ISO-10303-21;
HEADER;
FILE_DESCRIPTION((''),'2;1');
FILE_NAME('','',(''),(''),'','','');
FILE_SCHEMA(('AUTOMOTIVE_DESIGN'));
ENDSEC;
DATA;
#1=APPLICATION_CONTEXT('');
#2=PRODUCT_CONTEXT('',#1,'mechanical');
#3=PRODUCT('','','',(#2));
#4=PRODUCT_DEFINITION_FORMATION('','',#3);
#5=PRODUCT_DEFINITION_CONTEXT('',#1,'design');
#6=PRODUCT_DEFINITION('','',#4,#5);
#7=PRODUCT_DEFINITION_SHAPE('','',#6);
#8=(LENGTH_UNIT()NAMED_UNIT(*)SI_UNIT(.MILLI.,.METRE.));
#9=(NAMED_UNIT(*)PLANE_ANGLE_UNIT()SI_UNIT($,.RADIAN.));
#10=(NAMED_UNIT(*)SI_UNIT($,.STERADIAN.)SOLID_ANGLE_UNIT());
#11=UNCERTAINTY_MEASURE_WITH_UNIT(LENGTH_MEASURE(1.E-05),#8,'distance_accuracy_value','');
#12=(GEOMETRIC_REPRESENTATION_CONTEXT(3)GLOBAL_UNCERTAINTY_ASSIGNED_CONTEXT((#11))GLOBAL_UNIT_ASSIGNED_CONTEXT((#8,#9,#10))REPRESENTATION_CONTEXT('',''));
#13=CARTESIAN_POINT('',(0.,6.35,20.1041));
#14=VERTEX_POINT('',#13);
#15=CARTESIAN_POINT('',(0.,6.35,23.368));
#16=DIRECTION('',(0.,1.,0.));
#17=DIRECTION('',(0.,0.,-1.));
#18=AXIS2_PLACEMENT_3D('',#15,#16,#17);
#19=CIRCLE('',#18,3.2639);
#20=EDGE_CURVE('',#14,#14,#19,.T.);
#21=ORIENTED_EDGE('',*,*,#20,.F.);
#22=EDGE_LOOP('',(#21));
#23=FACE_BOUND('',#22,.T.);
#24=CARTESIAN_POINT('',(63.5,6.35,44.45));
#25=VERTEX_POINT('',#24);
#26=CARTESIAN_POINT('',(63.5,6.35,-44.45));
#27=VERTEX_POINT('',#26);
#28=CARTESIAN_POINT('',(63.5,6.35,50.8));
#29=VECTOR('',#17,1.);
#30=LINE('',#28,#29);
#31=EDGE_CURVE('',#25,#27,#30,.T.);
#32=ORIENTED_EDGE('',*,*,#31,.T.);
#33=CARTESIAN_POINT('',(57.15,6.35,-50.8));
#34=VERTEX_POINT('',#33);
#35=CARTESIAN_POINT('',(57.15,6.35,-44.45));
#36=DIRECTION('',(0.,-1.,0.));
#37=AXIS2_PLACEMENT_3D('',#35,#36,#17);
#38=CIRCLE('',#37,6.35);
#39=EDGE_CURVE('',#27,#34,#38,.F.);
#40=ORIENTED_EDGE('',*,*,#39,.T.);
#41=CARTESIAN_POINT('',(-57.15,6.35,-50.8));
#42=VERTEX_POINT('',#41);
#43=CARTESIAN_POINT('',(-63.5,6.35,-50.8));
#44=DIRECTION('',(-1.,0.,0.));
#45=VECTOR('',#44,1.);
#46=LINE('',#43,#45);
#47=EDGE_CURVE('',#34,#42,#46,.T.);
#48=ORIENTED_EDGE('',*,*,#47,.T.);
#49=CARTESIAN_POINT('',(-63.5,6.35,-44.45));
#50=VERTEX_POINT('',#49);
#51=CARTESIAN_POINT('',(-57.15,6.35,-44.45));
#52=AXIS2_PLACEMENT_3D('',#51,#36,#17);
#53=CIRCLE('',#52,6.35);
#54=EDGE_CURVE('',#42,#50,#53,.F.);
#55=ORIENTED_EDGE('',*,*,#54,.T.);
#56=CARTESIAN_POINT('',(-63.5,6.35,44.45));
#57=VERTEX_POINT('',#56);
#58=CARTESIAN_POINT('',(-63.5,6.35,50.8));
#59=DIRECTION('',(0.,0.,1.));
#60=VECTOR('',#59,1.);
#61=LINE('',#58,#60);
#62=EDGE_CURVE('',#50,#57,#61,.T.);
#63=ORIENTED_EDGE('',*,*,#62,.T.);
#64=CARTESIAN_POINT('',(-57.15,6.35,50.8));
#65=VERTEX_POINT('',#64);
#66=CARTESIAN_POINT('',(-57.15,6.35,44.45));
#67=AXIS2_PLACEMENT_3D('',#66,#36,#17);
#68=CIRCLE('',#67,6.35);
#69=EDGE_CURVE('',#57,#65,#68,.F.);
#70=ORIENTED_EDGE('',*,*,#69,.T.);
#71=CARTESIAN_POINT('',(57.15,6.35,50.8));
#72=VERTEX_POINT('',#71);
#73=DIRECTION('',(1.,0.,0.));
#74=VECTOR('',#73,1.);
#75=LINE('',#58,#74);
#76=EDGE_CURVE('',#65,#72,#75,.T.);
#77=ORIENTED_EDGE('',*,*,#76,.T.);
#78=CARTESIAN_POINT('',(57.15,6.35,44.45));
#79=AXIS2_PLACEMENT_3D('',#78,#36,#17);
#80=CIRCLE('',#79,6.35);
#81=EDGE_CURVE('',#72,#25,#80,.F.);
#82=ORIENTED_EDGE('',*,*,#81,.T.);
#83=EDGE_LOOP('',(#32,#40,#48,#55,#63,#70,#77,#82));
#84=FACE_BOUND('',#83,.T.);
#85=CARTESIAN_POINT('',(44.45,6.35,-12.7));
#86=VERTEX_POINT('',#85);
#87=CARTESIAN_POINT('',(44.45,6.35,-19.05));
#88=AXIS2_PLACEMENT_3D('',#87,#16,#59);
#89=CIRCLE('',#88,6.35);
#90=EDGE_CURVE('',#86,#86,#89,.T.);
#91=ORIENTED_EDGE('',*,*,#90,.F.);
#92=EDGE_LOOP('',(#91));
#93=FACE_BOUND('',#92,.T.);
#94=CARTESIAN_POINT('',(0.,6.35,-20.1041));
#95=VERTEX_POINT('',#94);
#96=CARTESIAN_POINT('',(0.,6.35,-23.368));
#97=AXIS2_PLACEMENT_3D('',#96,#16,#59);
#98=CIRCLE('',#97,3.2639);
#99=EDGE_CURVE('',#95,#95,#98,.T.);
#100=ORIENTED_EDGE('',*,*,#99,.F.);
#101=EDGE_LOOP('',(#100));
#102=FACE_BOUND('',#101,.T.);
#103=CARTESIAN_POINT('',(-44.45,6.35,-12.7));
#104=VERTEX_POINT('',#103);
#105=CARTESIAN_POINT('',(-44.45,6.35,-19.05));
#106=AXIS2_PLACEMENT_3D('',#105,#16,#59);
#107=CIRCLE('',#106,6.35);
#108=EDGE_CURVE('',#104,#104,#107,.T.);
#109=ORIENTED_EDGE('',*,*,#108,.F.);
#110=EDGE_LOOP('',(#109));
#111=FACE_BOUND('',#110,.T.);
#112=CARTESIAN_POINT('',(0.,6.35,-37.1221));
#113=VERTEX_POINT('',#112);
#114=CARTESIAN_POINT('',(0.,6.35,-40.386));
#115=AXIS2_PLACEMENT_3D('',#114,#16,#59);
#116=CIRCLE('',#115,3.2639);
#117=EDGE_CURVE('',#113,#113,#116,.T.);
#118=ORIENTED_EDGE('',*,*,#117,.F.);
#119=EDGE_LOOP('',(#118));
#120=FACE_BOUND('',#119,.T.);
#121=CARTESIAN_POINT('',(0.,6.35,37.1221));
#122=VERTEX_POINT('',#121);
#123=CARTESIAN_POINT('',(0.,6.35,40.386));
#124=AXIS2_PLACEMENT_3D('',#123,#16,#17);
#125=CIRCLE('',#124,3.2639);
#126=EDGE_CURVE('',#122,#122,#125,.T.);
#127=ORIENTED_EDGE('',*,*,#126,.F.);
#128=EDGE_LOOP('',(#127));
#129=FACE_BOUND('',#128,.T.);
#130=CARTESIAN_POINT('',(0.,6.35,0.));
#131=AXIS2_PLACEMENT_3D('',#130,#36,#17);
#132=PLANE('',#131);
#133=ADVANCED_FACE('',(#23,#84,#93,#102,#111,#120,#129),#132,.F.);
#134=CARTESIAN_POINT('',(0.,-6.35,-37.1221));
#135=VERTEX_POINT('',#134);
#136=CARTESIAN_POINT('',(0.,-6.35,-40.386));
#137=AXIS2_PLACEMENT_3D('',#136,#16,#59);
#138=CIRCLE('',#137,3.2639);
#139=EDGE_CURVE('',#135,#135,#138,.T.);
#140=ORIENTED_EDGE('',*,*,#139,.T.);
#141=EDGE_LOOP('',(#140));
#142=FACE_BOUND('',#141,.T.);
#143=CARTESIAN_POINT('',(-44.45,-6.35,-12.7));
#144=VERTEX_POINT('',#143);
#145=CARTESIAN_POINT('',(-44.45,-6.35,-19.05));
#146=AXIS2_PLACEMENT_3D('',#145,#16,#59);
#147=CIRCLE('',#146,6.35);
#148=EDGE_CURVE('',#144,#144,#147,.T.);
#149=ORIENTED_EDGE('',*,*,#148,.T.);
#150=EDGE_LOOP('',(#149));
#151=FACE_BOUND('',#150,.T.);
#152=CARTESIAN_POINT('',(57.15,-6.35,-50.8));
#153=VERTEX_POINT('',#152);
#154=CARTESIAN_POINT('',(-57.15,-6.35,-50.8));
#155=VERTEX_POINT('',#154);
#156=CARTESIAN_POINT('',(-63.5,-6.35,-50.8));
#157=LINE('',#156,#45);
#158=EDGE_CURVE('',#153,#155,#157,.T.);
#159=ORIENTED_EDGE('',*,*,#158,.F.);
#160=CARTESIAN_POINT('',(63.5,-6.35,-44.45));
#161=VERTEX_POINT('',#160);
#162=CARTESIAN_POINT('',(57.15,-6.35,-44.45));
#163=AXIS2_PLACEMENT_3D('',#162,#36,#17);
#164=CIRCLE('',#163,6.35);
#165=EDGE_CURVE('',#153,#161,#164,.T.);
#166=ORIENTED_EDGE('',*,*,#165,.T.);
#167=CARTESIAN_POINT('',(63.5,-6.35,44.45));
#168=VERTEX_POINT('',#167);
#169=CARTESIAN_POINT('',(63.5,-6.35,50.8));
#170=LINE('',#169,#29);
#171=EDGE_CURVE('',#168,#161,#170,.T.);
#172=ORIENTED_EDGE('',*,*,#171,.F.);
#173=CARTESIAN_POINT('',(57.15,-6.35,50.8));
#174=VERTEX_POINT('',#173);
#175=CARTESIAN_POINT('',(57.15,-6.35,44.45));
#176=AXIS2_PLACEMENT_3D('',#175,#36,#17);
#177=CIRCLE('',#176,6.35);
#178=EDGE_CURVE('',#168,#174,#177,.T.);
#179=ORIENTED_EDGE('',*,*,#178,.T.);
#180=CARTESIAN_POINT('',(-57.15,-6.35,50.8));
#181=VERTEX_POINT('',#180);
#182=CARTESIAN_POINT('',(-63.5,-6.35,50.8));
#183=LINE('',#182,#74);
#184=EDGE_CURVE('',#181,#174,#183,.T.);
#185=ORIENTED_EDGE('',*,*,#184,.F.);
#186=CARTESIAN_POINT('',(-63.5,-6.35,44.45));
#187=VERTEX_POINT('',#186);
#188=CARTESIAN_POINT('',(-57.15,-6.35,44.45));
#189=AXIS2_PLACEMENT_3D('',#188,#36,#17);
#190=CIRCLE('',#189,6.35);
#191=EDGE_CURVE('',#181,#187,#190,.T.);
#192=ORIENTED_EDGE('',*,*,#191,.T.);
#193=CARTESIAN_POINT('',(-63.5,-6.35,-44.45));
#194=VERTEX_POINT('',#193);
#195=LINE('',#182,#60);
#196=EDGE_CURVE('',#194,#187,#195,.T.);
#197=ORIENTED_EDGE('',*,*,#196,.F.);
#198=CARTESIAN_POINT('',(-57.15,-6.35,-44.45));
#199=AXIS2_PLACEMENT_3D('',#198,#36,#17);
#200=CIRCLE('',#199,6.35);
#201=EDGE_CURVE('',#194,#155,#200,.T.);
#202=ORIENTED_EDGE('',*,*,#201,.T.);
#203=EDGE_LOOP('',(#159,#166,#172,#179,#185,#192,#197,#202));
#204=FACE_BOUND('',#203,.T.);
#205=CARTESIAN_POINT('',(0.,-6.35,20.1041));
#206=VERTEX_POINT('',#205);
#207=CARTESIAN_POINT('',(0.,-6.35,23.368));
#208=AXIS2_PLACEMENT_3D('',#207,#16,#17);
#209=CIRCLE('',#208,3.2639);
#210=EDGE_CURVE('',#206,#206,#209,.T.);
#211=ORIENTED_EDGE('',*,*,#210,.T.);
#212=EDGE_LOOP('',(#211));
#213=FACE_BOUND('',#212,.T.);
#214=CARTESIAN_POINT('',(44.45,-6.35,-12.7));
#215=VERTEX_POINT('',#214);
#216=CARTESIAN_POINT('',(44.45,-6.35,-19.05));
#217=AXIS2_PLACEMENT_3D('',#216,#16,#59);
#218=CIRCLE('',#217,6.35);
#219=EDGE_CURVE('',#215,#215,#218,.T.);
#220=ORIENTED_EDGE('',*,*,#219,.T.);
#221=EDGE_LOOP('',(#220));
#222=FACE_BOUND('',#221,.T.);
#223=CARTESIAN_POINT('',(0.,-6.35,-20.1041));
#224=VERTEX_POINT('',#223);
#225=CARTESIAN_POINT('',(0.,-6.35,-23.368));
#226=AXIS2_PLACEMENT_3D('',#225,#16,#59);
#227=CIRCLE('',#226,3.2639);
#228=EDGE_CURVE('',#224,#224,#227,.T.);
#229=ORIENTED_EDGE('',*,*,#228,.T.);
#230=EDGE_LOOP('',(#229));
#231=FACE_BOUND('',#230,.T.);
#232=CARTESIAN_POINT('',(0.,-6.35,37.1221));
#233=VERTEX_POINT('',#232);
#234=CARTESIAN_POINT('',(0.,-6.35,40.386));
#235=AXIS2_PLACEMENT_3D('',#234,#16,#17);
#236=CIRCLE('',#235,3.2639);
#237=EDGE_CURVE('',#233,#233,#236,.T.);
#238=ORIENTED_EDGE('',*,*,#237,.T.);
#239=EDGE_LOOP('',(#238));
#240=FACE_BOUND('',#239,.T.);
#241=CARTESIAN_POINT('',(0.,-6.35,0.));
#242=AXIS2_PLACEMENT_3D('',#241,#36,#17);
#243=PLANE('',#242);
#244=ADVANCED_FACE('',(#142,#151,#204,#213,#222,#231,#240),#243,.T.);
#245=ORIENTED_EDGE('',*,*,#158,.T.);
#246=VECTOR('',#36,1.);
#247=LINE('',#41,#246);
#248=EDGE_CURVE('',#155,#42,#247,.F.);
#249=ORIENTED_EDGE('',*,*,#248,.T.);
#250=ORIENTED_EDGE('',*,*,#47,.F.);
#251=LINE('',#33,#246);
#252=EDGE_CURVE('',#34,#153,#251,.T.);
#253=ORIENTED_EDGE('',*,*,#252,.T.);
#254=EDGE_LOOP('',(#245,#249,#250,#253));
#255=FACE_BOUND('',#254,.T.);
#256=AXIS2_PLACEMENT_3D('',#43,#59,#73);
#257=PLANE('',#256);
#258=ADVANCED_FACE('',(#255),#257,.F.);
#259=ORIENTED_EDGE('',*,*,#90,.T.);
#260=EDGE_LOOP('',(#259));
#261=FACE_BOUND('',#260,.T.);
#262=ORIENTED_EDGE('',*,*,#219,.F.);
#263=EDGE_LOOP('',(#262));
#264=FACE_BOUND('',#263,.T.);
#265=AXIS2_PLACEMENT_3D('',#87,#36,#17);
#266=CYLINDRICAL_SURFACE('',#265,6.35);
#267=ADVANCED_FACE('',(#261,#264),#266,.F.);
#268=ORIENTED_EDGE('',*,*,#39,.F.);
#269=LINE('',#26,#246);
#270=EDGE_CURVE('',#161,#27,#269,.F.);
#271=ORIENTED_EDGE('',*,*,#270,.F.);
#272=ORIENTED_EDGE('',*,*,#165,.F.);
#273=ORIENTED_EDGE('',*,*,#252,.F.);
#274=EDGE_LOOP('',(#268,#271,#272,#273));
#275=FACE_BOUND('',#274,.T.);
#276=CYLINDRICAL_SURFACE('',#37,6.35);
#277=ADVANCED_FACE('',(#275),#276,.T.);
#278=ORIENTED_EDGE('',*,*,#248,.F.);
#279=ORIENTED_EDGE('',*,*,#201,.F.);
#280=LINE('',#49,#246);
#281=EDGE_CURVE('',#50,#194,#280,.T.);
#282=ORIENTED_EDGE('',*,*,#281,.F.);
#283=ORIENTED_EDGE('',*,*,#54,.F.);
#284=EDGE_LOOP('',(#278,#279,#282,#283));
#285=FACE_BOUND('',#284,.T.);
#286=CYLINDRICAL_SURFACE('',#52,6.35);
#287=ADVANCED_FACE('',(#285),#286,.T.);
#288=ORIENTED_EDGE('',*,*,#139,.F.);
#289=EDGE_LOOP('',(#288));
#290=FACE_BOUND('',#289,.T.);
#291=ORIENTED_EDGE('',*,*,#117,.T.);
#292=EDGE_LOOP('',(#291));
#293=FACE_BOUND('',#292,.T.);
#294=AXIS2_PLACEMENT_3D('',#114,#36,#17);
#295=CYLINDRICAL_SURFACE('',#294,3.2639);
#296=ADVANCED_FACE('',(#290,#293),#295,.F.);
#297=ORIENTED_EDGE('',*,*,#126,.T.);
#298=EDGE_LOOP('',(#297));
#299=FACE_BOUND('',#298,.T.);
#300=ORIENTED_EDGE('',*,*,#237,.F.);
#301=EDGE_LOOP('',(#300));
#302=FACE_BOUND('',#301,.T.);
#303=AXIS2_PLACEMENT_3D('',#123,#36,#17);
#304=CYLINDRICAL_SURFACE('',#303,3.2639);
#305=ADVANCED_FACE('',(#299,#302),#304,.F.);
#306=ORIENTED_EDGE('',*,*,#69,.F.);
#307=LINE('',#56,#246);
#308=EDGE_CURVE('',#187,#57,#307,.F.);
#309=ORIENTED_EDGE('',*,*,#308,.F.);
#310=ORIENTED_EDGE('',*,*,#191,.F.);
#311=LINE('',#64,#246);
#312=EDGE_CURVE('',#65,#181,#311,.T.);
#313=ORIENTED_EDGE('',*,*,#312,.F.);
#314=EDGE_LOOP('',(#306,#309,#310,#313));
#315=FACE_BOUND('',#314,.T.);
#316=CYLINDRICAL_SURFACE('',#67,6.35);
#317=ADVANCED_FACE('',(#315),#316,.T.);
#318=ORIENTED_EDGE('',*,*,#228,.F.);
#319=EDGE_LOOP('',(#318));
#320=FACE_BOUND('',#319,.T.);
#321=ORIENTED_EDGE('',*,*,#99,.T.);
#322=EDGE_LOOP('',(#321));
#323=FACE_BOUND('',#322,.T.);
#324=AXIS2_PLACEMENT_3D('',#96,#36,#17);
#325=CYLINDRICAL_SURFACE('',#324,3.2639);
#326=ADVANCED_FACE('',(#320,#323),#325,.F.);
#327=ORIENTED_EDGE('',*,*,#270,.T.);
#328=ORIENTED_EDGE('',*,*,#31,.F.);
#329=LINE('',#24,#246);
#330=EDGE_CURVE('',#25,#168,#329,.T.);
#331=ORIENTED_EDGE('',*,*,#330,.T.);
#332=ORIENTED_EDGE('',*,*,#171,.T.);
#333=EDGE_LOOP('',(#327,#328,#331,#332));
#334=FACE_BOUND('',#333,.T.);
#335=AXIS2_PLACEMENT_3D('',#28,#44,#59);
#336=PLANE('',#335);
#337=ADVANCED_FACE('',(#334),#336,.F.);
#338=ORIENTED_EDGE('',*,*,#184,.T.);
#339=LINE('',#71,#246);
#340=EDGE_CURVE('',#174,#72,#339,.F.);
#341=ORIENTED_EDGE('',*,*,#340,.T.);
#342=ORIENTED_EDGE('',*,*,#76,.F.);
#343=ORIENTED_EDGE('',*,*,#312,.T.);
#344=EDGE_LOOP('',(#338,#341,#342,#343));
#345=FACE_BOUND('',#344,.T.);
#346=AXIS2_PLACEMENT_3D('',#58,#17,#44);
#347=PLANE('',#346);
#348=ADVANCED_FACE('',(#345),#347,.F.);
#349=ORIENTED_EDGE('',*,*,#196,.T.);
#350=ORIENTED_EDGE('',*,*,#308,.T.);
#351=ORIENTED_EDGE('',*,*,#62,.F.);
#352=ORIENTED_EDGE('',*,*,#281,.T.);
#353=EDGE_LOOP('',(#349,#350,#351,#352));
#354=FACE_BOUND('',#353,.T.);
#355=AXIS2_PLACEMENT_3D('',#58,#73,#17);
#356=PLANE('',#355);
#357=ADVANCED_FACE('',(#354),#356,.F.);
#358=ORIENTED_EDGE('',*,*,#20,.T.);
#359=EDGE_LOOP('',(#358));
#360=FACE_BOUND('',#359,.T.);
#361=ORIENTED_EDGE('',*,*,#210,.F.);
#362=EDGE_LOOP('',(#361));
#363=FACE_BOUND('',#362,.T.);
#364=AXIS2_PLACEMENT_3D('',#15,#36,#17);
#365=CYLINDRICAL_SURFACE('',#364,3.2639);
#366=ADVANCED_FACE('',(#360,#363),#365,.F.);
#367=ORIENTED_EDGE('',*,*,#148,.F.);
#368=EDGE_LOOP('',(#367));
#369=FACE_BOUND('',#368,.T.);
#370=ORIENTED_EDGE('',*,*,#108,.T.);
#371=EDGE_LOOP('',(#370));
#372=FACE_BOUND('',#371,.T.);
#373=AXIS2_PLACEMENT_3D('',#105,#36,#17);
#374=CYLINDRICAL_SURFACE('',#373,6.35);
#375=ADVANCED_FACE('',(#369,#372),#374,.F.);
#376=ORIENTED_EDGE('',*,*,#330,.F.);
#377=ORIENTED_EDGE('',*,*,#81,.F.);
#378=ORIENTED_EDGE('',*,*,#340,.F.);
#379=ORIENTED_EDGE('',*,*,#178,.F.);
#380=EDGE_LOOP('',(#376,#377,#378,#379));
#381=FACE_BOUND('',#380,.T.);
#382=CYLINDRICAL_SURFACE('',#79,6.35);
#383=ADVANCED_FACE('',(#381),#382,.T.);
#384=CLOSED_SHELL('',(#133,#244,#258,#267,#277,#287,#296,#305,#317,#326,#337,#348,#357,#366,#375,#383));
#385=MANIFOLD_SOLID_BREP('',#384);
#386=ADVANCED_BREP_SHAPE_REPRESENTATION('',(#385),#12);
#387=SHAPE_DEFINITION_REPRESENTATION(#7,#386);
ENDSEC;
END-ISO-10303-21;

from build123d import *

# Parameters (mm, degrees)
SKETCH1_W           = 127
SKETCH1_H           = 101.6
SKETCH1_R           = 3.2639
SKETCH1_R_2         = 6.35
BOSS_EXTRUDE1_DEPTH = 6.35
FILLET1_R           = 6.35


with BuildPart() as part:
    # Sketch1 → Boss-Extrude1 (new, symmetric)
    with BuildSketch(Plane(origin=(0, 0, 0), x_dir=(1, 0, 0), z_dir=(0, 1, 0))):
        Rectangle(SKETCH1_W, SKETCH1_H)
        with Locations(Location((0, 23.368, 0), (0, 0, 270))):
            Circle(SKETCH1_R, mode=Mode.SUBTRACT)
        with Locations(Location((0, 40.386, 0), (0, 0, 270))):
            Circle(SKETCH1_R, mode=Mode.SUBTRACT)
        with Locations(Location((0, -23.368, 0), (0, 0, 90))):
            Circle(SKETCH1_R, mode=Mode.SUBTRACT)
        with Locations(Location((0, -40.386, 0), (0, 0, 90))):
            Circle(SKETCH1_R, mode=Mode.SUBTRACT)
        with Locations(Location((-44.45, 19.05, 0), (0, 0, 270))):
            Circle(SKETCH1_R_2, mode=Mode.SUBTRACT)
        with Locations(Location((44.45, 19.05, 0), (0, 0, 270))):
            Circle(SKETCH1_R_2, mode=Mode.SUBTRACT)
    extrude(amount=BOSS_EXTRUDE1_DEPTH, both=True)

    # Fillet1
    fillet1_edges = [part.edges().sort_by_distance(p)[0] for p in [
        (63.5, 0, 50.8),
        (-63.5, 0, 50.8),
        (-63.5, 0, -50.8),
        (63.5, 0, -50.8),
    ]]
    fillet(fillet1_edges, radius=FILLET1_R)


solid = part.part
